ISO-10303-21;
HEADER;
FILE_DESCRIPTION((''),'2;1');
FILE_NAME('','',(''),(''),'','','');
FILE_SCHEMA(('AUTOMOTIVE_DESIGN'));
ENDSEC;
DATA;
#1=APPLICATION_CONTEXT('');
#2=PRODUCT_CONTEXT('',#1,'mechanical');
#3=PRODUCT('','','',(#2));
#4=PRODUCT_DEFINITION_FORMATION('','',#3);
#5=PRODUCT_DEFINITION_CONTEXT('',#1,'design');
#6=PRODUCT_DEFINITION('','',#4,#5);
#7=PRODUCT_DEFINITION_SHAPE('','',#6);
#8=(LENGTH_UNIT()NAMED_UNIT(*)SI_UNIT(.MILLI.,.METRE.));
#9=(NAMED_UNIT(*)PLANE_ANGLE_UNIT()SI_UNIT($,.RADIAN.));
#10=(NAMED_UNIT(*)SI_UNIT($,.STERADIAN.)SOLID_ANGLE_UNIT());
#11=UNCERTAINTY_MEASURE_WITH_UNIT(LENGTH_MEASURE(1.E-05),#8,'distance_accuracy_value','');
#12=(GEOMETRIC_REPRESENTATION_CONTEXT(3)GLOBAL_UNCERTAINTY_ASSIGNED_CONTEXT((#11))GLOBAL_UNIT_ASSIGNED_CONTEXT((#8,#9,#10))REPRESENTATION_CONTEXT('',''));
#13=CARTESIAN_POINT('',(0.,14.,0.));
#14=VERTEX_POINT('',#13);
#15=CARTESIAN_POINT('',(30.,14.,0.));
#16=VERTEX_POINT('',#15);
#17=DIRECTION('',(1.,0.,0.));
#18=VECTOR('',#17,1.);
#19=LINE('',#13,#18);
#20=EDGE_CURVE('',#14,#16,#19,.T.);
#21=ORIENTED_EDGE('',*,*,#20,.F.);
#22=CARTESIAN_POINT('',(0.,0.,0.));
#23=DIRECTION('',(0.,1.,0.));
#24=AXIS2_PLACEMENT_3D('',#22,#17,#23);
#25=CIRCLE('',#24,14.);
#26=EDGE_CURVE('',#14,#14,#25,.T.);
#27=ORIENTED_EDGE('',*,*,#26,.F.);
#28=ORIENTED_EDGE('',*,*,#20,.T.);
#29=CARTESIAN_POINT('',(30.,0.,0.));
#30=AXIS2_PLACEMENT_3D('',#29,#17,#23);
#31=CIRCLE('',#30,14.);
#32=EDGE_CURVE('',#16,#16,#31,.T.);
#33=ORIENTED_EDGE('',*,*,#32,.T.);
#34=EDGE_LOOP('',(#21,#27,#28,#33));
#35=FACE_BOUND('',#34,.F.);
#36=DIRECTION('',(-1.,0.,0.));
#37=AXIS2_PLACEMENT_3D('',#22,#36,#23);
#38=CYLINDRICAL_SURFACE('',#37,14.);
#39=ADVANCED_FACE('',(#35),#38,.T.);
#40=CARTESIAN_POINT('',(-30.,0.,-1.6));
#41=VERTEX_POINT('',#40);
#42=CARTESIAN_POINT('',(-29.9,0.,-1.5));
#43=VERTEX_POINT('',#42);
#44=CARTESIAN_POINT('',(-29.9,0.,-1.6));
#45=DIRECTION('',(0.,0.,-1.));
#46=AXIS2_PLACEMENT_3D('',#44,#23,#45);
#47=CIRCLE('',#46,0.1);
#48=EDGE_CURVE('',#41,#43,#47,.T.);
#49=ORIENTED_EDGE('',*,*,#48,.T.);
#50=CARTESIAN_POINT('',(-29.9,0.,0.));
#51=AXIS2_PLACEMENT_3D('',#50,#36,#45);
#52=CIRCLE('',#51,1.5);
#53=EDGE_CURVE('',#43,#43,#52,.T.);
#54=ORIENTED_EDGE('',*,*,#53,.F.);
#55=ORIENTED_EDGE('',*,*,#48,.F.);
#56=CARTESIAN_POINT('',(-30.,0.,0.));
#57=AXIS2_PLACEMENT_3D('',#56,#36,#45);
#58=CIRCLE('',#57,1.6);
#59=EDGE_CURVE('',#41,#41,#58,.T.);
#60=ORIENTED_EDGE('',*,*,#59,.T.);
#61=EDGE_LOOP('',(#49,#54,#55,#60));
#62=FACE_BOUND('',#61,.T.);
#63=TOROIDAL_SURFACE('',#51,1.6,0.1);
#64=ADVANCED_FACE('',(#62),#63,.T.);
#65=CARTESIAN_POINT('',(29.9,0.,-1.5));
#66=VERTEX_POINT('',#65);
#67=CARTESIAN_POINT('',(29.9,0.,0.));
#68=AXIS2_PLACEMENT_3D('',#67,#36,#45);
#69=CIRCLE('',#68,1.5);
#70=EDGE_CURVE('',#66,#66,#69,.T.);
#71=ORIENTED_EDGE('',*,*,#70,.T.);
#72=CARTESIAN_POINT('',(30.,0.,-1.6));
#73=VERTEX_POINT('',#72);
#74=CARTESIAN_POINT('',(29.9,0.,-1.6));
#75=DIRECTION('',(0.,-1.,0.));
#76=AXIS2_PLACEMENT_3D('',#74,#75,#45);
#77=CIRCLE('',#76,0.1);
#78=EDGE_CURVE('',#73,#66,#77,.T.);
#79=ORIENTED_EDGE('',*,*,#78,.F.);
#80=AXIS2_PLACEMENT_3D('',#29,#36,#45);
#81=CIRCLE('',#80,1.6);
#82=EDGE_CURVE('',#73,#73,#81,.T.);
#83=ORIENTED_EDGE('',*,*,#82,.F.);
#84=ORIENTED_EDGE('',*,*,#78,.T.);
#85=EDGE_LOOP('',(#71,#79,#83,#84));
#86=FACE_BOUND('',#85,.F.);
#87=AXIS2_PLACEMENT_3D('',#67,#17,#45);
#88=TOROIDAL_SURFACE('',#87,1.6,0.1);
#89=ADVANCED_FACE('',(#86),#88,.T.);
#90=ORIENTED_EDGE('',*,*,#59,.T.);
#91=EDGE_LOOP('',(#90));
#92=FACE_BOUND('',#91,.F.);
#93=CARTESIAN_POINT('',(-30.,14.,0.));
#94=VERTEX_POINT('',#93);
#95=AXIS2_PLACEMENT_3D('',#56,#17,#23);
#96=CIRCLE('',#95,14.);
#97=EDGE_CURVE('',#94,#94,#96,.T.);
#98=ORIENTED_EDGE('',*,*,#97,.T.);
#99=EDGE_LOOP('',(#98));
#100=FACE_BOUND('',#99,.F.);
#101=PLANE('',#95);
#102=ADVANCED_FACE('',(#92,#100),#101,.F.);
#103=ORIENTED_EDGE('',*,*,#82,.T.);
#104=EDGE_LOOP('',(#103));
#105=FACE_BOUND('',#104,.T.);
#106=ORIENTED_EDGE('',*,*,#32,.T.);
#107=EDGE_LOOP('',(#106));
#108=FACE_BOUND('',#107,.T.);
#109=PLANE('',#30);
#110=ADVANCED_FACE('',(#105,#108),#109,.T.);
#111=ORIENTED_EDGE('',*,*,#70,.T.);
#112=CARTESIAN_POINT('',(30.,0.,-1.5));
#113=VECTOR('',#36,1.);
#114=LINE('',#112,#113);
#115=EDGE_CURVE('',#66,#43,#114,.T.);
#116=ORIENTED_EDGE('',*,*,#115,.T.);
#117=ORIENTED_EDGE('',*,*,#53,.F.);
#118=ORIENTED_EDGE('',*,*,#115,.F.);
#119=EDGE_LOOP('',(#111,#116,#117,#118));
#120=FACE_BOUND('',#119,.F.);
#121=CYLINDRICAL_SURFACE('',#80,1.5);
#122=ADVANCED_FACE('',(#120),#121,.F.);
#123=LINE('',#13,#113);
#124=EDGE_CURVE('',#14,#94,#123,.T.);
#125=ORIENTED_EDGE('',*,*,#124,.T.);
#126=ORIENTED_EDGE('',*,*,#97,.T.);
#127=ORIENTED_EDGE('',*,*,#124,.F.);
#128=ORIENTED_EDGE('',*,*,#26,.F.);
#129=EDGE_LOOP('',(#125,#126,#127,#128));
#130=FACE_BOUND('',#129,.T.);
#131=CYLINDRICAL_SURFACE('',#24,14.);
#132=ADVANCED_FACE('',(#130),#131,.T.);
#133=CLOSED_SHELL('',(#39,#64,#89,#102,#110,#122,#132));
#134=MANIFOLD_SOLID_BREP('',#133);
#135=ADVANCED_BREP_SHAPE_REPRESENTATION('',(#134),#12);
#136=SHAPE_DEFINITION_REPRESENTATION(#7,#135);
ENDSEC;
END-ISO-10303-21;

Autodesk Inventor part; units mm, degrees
ref_plane "YZ Plane" through (0, 0, 0) normal (1, 0, 0) x (0, 1, 0)
ref_plane "XZ Plane" through (0, 0, 0) normal (0, 1, 0) x (-1, 0, 0)
ref_plane "XY Plane" through (0, 0, 0) normal (0, 0, 1) x (1, 0, 0)
sketch "Эскиз1" plane through (0, 0, 0) normal (1, 0, 0) x (0, 1, 0)
  circle A0 centre (0, 0) radius 14
  dimension "d0" = 28
extrude "Выдавливание1" add sketch "Эскиз1" along normal mid plane 60
sketch "Эскиз2" plane through (30, 0, 0) normal (1, 0, 0) x (0, 0, -1)
  point P0 (0, 0)
  point P1 (0, 0)
hole "Отверстие1" at (30, 0, 0) direction (-1, 0, 0) diameter 3 depth 60
fillet "Сопряжение1" radius 0.1 2 edges at (-30, 0, 1.5) (30, 0, 1.5)
properties part number "Вал конвейера 2"
